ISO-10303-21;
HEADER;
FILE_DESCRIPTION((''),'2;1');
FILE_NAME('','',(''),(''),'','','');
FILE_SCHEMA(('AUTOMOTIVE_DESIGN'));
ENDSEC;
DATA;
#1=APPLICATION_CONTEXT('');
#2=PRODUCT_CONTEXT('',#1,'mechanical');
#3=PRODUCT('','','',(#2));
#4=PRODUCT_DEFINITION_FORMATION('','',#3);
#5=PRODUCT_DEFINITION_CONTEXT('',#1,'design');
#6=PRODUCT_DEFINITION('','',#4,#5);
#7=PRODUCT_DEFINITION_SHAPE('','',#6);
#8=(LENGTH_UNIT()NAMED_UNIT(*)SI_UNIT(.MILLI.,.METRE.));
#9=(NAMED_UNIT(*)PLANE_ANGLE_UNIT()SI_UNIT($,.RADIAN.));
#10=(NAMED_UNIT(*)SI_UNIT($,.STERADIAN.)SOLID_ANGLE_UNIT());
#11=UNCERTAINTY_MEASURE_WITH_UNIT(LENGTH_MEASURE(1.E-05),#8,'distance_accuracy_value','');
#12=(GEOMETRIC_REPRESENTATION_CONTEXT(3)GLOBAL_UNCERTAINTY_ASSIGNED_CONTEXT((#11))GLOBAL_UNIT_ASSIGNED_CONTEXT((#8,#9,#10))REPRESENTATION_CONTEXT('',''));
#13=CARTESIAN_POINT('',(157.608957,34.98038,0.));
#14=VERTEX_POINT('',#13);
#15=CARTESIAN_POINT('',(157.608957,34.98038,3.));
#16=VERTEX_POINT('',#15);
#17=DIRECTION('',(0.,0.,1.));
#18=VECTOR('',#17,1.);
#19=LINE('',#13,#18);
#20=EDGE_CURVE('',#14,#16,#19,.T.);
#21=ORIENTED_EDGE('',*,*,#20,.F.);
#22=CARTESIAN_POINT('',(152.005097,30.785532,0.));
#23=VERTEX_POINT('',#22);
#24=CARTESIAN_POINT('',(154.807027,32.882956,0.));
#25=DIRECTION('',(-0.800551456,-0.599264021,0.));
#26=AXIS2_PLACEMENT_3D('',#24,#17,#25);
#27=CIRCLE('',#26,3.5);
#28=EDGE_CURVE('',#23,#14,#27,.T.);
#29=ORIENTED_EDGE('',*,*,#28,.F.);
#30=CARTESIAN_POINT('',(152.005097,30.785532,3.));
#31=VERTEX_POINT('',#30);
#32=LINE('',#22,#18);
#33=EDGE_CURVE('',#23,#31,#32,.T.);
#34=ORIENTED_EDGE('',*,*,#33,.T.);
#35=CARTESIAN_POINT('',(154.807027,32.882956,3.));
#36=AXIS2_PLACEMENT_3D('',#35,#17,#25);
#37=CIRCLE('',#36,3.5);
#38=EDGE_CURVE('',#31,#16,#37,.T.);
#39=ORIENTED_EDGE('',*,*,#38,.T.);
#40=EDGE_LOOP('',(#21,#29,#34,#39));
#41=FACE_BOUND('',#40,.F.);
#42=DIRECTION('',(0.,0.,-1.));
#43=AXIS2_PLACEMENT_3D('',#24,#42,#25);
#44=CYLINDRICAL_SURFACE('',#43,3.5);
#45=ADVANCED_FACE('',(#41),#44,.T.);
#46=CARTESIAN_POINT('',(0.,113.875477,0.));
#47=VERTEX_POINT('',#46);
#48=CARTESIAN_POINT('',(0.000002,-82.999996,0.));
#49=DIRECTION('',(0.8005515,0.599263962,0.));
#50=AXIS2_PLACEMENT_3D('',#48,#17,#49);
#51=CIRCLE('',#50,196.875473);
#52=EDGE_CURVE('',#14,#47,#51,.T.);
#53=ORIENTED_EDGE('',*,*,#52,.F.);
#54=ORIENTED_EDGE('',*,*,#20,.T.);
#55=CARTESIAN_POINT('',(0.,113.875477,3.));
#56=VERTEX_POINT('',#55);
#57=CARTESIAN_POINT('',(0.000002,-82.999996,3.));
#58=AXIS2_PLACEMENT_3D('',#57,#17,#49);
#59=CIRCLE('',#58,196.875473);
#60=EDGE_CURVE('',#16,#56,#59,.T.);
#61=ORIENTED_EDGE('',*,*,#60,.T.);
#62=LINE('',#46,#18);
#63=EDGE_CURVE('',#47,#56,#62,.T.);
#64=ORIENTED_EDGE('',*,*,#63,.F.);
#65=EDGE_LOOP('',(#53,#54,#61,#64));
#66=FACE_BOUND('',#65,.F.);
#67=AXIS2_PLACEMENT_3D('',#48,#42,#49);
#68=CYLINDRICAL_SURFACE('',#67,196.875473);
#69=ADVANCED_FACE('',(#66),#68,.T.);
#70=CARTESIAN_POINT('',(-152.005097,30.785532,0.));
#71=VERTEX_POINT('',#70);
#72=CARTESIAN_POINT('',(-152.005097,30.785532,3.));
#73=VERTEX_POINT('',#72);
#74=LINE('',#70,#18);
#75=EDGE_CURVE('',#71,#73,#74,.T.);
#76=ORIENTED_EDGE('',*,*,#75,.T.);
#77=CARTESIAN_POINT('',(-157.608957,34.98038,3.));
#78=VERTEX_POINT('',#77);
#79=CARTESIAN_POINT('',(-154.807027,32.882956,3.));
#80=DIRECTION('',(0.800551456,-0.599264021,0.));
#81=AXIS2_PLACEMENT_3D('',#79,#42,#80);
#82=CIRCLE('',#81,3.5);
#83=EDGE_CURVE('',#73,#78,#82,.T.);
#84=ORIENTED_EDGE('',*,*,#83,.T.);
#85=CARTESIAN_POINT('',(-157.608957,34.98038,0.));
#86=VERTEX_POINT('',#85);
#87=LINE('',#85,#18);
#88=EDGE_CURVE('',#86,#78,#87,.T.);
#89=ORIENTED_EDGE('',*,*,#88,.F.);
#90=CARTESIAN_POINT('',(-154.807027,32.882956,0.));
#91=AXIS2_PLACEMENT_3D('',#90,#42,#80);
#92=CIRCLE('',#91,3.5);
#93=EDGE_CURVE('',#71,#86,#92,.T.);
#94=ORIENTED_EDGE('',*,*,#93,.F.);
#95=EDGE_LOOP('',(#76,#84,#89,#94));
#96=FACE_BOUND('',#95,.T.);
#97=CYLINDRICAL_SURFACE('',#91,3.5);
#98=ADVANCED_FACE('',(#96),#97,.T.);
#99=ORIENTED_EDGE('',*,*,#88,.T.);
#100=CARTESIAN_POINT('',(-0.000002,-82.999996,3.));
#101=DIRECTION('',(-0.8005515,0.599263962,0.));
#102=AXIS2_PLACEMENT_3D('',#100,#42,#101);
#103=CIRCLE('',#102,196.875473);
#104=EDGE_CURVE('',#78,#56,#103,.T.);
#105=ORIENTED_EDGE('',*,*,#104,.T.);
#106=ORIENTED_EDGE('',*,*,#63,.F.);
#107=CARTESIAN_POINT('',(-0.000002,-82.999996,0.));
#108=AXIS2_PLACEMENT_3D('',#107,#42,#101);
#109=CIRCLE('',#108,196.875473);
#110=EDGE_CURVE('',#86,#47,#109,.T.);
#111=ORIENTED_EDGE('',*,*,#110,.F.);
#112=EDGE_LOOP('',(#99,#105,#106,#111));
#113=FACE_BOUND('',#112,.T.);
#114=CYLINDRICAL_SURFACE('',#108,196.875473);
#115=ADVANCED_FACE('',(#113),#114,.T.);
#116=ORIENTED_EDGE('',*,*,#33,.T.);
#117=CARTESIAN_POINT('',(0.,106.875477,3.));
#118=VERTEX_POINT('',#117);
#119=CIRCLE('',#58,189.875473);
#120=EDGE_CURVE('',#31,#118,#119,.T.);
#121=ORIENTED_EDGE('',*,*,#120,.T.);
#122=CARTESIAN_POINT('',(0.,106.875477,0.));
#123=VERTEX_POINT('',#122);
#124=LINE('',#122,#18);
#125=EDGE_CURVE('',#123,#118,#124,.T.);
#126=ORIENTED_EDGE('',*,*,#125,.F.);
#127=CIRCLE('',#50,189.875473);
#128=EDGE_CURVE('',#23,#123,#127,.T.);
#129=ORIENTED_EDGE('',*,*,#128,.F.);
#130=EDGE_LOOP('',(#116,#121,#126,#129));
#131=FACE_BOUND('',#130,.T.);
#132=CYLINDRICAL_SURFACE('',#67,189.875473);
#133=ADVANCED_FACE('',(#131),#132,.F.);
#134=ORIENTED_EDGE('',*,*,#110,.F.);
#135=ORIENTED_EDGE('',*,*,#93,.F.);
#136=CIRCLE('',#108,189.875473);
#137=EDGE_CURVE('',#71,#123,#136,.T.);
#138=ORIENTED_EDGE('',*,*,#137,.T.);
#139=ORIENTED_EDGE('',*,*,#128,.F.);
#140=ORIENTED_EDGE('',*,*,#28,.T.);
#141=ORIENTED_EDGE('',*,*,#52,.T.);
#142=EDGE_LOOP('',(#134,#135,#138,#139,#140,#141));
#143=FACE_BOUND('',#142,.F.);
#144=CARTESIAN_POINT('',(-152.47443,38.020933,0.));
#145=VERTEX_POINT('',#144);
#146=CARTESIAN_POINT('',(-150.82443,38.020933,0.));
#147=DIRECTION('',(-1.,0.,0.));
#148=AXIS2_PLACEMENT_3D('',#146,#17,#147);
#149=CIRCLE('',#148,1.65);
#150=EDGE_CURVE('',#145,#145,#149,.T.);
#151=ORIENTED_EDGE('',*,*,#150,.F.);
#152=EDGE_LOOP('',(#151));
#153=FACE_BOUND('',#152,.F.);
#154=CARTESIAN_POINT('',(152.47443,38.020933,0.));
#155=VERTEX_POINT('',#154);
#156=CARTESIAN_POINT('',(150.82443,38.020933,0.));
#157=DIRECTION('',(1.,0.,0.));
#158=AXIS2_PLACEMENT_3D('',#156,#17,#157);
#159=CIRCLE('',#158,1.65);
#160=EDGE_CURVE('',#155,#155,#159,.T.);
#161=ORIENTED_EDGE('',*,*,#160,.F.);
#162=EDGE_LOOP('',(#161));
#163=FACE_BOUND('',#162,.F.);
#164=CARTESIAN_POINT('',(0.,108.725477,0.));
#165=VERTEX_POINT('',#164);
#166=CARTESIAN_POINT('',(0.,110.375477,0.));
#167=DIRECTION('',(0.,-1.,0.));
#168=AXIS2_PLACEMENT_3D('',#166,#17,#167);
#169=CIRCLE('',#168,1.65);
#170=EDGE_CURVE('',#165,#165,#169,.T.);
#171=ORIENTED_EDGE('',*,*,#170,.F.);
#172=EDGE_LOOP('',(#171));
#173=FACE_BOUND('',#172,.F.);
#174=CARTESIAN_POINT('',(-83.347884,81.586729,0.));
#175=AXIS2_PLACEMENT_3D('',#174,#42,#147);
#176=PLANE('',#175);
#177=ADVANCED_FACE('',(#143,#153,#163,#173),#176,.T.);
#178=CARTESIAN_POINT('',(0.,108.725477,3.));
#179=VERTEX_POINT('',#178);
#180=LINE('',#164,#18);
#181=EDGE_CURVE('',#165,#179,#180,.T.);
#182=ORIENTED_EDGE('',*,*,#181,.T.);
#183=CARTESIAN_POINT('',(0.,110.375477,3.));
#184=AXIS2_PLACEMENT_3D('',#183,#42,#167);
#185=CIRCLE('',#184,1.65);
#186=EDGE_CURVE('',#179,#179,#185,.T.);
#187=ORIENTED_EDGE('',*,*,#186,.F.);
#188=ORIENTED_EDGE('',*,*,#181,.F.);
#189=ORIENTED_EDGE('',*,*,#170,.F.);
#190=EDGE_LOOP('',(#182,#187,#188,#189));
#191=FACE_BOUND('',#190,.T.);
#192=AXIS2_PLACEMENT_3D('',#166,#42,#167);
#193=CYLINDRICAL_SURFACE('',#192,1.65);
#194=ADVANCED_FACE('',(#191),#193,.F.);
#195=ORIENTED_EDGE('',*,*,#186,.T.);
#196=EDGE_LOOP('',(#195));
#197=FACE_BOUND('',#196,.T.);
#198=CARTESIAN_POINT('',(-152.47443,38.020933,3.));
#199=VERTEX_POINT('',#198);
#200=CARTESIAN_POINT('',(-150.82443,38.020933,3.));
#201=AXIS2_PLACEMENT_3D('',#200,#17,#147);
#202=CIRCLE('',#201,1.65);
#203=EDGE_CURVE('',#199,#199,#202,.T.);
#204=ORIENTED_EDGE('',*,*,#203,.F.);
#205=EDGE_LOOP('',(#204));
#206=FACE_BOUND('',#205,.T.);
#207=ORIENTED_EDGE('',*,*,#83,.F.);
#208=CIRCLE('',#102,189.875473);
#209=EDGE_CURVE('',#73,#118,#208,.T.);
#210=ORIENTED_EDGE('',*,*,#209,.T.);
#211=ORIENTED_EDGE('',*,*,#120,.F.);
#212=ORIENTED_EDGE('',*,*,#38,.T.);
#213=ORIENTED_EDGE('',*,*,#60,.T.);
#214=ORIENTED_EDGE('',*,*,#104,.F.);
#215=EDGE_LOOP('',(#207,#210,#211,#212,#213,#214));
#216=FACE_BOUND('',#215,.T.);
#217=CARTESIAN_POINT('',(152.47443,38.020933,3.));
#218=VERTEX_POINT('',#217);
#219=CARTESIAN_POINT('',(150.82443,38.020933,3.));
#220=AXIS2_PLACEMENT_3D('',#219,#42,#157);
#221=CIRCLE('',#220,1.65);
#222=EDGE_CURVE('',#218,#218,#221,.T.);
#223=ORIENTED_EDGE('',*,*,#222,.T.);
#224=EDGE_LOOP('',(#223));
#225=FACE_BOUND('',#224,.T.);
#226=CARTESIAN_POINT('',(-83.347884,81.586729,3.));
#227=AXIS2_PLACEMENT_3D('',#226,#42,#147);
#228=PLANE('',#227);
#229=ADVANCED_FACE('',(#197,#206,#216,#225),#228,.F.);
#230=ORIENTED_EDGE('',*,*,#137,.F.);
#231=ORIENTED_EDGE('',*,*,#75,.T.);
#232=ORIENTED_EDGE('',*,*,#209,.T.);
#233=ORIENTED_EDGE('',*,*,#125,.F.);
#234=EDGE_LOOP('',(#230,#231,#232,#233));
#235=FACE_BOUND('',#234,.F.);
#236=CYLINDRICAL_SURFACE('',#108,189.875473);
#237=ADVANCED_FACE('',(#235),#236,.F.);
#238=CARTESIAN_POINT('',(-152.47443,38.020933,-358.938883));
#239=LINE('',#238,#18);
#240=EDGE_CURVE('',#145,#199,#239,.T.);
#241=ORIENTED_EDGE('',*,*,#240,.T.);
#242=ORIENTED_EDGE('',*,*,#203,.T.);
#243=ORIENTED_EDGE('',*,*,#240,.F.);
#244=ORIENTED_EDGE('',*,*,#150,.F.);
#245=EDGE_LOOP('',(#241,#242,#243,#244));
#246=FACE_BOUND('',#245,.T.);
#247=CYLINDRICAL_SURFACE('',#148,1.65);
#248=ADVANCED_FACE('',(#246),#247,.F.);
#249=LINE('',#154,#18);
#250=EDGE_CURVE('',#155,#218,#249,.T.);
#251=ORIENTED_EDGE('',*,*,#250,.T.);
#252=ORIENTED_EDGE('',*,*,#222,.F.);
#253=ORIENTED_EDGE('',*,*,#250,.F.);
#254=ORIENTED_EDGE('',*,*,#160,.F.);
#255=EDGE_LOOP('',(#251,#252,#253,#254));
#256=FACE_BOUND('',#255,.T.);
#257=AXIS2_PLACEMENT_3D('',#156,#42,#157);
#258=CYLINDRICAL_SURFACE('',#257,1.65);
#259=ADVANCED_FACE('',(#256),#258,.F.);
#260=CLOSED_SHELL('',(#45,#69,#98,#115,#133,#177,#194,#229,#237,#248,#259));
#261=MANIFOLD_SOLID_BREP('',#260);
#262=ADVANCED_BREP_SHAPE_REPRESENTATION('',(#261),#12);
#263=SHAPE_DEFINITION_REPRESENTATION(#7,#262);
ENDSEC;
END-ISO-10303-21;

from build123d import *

# Parameters (mm, degrees)
PAD015_DEPTH                        = 3
SKETCH054_R                         = 1.65
POCKET018_DEPTH                     = 358.938883
POCKET018_DEPTH_BACK                = 361.938883
BODY001003005003004_PLACEMENT_ANGLE = 60
CLONE027_PLACEMENT_ANGLE            = 60


with BuildPart() as part:
    # Sketch053 → Pad015 (new body)
    with BuildSketch(Plane.XY):
        with BuildLine():
            ThreePointArc((152.005097, 113.785532), (84.992984, 169.790723), (0, 189.875477))
            Line((0, 189.875477), (0, 196.875477))
            ThreePointArc((157.608957, 117.98038), (88.126358, 176.050273), (0, 196.875477))
            ThreePointArc((152.005097, 113.785532), (156.904451, 113.081026), (157.608957, 117.98038))
        make_face()
    pad015 = extrude(amount=PAD015_DEPTH)

    # Sketch054 → Pocket018 (cut, two sides)
    with BuildSketch(Plane.XY) as pocket018_sk:
        with Locations((150.82443, 121.020933)):
            Circle(SKETCH054_R)
        with BuildLine():
            ThreePointArc((0, 191.725477), (1.65, 193.375477), (0, 195.025477))
            Line((0, 191.725477), (0, 195.025477))
        make_face()
    pocket018 = extrude(amount=-POCKET018_DEPTH, mode=Mode.SUBTRACT) + extrude(pocket018_sk.sketch, amount=POCKET018_DEPTH_BACK, mode=Mode.SUBTRACT)

    # Mirrored020: Pad015, Pocket018 across Sketch053 V_Axis
    add(pad015.mirror(Plane(origin=(0, 0, 0), x_dir=(0, 0, 1), z_dir=(1, 0, 0))))
    add(pocket018.mirror(Plane(origin=(0, 0, 0), x_dir=(0, 0, 1), z_dir=(1, 0, 0))), mode=Mode.SUBTRACT)


with BuildPart() as part_1:
    # Body001003005003004 placement: moved
    add(part.part.rotate(Axis((0, 0, 0), (0, 0, 1)), BODY001003005003004_PLACEMENT_ANGLE))


with BuildPart() as part_2:
    # Clone027 placement: moved
    add(part_1.part.moved(Location((0, -83, 0))).rotate(Axis((0, -83, 0), (0, 0, -1)), CLONE027_PLACEMENT_ANGLE))


solid = part_2.part
